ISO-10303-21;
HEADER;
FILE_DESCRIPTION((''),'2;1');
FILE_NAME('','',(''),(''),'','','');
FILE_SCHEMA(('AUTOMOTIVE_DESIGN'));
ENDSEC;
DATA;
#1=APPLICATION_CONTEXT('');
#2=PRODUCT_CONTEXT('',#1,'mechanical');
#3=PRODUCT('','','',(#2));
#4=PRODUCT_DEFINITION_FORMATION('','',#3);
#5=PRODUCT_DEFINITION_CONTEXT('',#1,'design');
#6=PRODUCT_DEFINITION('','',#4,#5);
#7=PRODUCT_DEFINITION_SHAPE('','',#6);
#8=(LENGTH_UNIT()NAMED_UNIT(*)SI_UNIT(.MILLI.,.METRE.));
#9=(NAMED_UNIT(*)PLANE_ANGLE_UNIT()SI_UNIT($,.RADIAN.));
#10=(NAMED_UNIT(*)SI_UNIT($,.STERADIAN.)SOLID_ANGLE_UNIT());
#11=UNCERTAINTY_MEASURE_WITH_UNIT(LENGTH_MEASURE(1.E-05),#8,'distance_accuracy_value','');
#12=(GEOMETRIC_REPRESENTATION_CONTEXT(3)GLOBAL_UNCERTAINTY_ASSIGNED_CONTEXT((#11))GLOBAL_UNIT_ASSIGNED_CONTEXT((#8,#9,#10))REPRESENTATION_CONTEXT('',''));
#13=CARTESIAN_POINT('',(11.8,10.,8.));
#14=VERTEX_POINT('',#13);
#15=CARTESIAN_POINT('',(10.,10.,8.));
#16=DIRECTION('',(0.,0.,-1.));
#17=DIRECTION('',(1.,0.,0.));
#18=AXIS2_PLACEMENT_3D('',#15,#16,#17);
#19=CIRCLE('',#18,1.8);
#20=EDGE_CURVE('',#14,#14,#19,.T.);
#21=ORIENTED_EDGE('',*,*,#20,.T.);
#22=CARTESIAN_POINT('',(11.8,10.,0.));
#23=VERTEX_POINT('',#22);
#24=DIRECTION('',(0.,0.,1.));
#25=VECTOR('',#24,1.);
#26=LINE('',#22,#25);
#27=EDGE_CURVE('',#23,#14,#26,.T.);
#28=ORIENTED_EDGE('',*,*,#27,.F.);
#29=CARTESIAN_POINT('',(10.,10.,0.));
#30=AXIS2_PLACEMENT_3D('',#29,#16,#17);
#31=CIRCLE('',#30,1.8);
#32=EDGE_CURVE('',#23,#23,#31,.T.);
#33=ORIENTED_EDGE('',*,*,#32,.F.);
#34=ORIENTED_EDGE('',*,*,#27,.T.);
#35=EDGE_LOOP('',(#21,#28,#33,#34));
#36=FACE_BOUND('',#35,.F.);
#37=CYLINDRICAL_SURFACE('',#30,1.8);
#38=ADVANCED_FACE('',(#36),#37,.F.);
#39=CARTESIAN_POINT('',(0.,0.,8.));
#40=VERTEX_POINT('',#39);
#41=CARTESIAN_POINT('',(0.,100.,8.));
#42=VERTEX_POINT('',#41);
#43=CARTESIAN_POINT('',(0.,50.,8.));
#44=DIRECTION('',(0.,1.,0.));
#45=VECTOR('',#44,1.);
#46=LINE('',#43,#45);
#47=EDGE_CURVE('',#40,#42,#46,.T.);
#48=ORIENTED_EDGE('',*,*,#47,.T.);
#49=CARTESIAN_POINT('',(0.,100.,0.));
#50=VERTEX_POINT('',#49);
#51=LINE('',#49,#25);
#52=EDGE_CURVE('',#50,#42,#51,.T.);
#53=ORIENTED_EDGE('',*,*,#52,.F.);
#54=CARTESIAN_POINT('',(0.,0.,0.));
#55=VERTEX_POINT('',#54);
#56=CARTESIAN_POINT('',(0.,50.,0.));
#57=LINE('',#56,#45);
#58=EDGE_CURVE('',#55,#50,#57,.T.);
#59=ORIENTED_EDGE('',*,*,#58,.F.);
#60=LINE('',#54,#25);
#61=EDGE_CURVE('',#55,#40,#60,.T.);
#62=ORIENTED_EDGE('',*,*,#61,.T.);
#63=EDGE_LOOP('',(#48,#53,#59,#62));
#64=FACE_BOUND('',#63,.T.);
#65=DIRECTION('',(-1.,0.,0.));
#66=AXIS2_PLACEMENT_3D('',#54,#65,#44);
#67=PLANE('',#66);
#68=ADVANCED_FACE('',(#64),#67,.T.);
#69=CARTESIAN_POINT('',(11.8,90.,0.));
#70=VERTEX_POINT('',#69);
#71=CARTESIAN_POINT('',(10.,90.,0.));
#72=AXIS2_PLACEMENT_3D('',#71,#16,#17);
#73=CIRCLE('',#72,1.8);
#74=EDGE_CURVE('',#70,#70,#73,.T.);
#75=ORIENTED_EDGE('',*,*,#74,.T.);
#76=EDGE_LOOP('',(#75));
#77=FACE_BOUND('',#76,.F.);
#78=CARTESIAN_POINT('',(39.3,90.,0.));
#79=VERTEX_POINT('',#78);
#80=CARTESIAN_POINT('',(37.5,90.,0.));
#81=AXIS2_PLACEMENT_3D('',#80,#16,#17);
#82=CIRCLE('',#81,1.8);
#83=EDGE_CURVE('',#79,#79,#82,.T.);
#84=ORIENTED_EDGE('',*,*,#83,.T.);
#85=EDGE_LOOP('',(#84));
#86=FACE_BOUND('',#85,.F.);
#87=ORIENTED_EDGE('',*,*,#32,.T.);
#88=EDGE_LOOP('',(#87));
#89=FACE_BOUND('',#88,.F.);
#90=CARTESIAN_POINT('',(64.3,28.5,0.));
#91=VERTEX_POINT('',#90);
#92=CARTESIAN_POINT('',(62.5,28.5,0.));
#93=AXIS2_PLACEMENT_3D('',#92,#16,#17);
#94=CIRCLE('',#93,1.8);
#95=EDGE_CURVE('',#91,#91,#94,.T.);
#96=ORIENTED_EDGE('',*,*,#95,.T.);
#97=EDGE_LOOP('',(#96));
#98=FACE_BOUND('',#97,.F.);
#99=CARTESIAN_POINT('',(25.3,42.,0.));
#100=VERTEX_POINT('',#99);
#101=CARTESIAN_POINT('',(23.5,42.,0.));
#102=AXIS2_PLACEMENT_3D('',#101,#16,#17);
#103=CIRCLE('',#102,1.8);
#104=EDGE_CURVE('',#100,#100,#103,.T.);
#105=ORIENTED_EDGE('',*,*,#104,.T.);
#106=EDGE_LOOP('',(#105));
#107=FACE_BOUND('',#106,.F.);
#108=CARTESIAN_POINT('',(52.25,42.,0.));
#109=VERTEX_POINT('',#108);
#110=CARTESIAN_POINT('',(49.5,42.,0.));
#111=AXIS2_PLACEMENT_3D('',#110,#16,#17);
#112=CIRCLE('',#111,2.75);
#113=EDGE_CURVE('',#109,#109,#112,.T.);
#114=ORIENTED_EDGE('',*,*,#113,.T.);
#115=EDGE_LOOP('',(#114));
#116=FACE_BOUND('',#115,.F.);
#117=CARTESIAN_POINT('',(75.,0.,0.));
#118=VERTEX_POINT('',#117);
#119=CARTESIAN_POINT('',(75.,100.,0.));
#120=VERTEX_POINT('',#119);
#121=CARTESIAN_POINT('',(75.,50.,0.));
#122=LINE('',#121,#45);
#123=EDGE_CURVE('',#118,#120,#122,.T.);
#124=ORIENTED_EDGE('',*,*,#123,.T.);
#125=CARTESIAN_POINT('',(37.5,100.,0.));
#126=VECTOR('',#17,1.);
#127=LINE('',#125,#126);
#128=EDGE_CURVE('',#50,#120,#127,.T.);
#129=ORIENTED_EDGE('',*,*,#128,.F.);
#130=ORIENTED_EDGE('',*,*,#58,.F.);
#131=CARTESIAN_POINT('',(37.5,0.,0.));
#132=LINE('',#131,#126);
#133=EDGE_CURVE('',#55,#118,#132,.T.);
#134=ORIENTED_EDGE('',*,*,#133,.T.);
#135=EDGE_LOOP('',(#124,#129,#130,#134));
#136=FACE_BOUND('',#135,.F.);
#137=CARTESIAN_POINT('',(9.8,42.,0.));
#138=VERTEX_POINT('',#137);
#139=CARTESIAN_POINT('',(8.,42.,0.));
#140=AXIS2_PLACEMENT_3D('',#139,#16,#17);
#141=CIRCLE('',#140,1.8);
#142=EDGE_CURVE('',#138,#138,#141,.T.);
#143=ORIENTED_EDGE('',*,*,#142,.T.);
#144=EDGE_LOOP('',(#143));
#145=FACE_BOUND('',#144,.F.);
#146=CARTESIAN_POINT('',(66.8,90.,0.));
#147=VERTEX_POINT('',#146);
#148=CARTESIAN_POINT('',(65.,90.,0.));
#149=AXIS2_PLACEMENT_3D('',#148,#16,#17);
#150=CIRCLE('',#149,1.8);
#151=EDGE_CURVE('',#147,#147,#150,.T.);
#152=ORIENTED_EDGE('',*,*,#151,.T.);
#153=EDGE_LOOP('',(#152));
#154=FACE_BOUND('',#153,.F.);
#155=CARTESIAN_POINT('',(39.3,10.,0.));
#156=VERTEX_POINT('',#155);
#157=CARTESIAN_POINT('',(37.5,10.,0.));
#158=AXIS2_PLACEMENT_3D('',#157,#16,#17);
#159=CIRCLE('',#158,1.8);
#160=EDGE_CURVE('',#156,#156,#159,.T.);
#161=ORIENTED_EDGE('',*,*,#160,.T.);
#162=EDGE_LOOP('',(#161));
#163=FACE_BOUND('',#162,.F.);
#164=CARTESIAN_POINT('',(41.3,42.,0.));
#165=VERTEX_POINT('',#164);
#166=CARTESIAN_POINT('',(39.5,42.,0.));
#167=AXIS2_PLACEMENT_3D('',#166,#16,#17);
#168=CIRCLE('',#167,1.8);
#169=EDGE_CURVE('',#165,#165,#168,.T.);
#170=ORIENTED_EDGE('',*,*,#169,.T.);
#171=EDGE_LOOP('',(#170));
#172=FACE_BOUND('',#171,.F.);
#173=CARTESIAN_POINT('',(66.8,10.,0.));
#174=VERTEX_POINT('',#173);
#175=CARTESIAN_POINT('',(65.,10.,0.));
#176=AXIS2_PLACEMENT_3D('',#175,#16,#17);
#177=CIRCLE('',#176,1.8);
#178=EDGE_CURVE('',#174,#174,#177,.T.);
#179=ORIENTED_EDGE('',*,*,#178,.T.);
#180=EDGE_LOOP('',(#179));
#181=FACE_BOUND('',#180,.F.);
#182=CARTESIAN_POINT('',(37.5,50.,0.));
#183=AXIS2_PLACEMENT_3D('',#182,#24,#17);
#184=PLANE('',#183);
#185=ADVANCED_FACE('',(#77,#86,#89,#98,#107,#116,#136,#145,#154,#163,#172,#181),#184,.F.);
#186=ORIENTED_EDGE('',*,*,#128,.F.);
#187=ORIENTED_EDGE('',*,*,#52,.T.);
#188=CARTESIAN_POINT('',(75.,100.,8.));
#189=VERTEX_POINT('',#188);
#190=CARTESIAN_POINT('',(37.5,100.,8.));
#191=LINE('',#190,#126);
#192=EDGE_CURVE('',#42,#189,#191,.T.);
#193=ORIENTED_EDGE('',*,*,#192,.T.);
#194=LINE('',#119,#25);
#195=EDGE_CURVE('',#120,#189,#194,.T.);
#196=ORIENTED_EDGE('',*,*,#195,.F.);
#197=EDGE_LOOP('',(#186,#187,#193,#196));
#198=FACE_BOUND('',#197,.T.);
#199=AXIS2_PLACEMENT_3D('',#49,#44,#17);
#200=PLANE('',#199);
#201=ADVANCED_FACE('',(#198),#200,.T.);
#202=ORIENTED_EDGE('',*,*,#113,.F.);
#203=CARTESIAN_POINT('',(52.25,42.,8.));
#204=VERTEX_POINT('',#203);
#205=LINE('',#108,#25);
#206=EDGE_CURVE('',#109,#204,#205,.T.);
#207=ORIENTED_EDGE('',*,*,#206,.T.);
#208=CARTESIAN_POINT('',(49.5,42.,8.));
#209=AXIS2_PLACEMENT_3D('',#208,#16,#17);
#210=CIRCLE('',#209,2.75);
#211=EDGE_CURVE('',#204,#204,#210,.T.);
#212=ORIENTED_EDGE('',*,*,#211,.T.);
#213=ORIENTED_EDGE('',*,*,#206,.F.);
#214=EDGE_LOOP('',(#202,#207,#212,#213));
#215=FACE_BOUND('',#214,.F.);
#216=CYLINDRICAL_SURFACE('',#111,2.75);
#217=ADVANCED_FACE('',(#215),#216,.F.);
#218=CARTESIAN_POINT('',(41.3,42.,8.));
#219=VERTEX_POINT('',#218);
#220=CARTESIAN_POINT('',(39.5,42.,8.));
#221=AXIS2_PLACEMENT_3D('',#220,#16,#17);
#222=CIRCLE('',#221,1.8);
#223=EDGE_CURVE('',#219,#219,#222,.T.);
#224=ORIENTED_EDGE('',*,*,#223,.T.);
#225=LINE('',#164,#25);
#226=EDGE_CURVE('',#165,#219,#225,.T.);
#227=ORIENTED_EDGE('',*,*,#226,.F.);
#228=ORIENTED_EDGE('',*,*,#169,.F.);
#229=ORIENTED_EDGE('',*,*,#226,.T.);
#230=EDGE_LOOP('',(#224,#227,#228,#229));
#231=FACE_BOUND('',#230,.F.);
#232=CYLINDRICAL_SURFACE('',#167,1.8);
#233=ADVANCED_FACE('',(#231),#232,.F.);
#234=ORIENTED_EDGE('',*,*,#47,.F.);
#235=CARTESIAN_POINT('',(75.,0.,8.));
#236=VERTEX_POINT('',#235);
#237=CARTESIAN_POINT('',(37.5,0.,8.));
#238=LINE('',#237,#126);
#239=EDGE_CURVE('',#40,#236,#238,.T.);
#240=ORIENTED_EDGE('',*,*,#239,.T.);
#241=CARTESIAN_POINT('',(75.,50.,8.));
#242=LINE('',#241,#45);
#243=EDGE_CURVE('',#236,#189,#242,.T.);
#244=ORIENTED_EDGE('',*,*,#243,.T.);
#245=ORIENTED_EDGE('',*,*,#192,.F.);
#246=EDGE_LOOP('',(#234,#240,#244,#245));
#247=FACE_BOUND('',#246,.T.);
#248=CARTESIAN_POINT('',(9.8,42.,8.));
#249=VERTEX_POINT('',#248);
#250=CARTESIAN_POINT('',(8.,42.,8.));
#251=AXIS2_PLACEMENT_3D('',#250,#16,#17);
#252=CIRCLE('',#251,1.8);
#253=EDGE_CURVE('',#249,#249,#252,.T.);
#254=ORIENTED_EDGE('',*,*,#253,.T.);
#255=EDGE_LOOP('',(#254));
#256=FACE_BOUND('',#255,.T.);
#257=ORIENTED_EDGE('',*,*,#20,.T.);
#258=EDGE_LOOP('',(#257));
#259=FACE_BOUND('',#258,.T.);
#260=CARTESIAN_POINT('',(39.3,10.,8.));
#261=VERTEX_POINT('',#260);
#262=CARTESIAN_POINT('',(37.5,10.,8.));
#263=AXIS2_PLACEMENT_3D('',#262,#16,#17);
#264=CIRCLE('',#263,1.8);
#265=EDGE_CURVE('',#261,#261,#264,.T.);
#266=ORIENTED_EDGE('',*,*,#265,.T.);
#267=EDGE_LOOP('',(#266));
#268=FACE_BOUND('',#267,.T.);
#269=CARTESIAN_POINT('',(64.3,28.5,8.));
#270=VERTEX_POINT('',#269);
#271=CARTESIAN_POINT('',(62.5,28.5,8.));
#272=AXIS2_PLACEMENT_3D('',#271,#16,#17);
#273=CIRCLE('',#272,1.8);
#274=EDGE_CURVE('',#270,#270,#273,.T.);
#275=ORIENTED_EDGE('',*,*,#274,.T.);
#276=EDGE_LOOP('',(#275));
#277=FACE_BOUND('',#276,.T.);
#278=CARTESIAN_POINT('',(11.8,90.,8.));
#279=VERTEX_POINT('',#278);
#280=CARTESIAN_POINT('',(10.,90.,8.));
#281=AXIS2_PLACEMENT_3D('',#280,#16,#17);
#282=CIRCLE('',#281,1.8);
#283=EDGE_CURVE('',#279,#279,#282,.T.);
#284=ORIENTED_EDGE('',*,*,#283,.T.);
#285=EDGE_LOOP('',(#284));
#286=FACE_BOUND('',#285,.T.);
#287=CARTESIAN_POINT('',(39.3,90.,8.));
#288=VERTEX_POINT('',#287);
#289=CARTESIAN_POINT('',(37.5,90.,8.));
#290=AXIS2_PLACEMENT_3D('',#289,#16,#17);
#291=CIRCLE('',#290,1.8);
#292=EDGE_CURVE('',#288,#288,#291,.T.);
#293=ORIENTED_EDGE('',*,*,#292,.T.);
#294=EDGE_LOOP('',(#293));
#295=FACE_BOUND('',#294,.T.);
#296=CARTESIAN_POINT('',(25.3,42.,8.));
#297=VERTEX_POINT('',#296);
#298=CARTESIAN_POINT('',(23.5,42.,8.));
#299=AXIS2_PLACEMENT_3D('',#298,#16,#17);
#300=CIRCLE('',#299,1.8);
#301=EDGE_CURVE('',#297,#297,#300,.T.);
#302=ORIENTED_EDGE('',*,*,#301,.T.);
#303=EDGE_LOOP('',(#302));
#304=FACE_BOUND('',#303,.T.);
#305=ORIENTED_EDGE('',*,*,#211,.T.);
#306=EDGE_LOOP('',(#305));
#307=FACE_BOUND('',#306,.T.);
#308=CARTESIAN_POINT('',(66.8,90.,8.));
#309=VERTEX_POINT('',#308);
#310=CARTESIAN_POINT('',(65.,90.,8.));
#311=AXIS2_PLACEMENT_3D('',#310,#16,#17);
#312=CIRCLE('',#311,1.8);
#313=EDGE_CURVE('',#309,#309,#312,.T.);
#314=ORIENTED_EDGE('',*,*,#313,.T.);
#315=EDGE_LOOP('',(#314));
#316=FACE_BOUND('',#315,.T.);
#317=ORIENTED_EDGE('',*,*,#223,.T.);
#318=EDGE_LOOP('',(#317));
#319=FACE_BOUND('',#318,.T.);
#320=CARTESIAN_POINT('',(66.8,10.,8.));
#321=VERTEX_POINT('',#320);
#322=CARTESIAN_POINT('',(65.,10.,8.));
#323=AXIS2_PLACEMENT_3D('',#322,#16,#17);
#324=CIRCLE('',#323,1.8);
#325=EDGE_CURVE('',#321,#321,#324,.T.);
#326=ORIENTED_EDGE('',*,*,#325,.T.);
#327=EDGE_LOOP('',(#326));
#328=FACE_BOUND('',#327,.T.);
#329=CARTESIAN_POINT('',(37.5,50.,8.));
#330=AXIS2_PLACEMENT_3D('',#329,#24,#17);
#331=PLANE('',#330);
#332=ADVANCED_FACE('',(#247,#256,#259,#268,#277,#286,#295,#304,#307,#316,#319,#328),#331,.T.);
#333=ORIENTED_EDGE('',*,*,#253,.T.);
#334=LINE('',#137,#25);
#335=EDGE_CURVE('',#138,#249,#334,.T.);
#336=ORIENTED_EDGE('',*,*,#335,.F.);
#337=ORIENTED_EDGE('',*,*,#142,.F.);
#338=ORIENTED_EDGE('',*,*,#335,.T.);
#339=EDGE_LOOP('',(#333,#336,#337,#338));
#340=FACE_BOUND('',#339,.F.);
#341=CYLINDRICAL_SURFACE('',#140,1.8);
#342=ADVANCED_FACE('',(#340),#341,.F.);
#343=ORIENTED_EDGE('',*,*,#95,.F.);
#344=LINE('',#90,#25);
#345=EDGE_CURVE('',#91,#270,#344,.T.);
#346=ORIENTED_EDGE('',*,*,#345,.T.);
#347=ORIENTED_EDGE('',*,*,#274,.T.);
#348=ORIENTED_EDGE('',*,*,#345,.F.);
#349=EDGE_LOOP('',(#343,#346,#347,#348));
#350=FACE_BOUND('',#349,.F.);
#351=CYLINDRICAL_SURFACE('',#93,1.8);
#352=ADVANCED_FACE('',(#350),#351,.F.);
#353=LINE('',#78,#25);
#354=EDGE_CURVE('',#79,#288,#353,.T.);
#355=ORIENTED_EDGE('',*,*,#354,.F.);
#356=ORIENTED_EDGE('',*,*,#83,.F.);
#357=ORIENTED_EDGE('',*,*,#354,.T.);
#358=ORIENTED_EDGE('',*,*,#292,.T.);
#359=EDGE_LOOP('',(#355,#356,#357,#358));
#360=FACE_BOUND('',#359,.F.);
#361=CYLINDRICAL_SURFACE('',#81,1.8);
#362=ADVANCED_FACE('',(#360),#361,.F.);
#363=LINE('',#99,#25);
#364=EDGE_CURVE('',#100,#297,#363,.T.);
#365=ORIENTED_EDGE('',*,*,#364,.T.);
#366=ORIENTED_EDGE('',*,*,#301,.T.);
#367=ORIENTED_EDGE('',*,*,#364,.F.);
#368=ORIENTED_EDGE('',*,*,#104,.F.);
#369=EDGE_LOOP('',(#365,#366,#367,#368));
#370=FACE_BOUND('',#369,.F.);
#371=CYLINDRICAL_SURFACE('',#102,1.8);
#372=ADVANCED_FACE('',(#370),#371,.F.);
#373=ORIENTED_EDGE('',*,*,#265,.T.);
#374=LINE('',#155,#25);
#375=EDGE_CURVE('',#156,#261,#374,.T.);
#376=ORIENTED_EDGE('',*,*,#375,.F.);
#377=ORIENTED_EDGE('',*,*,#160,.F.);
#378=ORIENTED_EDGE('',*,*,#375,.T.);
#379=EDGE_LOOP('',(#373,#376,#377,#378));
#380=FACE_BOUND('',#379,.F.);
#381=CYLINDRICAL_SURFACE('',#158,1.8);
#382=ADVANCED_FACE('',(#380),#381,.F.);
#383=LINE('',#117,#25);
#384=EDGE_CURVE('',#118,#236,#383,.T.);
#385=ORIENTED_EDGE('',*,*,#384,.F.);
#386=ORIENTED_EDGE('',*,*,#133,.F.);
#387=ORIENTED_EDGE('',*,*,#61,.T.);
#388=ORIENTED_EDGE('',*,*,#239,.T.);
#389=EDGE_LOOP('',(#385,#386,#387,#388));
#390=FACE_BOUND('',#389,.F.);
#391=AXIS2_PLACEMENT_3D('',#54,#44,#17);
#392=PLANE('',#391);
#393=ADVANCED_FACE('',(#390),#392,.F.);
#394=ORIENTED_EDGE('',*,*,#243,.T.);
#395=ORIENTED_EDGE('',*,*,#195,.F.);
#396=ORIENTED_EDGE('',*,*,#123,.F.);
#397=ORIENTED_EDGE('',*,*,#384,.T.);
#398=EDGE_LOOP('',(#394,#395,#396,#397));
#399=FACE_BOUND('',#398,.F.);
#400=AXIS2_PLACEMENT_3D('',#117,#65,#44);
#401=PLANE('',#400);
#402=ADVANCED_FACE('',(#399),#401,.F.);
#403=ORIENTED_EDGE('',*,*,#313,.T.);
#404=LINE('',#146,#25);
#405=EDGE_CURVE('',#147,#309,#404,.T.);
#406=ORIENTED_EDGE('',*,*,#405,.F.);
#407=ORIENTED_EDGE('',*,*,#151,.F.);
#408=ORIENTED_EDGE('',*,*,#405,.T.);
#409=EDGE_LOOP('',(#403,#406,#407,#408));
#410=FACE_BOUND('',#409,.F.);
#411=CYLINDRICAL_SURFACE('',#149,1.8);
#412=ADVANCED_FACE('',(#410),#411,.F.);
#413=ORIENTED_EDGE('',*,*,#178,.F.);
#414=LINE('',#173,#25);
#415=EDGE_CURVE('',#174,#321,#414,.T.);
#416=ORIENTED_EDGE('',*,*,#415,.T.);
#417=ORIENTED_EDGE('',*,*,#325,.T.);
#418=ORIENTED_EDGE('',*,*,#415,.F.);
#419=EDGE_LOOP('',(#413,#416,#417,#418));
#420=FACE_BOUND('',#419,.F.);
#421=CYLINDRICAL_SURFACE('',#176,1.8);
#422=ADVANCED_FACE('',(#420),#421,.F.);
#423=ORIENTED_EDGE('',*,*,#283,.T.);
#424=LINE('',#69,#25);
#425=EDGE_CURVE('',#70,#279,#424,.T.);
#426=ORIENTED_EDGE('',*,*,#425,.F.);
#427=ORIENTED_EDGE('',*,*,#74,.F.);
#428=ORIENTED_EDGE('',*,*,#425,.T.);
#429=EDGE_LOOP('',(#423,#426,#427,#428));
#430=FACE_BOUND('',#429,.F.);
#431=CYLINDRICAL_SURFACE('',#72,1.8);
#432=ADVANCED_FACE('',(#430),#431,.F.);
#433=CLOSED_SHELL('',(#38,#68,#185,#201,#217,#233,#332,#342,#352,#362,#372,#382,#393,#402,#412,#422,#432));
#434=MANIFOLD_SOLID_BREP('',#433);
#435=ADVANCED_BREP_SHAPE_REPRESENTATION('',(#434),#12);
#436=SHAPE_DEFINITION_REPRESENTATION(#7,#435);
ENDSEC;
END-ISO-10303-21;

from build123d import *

# Parameters (mm, degrees)
BOX_W         = 75
BOX_H         = 100
BOX_DEPTH     = 8
SKETCH_R      = 1.8
HOLE_DEPTH    = 8.001
SKETCH001_R   = 1.8
HOLE001_DEPTH = 25
SKETCH003_R   = 2.75
HOLE002_DEPTH = 8.001


with BuildPart() as part:
    # Box → Box (join)
    with BuildSketch(Plane.XY):
        with Locations((37.5, 50)):
            Rectangle(BOX_W, BOX_H)
    extrude(amount=BOX_DEPTH)

    # Sketch (on Face5 of Box) → Hole (cut, through all)
    with BuildSketch(Plane(origin=(0, 0, 0), x_dir=(1, 0, 0), z_dir=(0, 0, -1))):
        with Locations((10, -10)):
            Circle(SKETCH_R)
        with Locations((37.5, -10)):
            Circle(SKETCH_R)
        with Locations((65, -10)):
            Circle(SKETCH_R)
        with Locations((10, -90)):
            Circle(SKETCH_R)
        with Locations((37.5, -90)):
            Circle(SKETCH_R)
        with Locations((65, -90)):
            Circle(SKETCH_R)
    extrude(amount=-HOLE_DEPTH, mode=Mode.SUBTRACT)

    # Sketch001 (on Face5 of Hole) → Hole001 (cut)
    with BuildSketch(Plane(origin=(0, 0, 0), x_dir=(1, 0, 0), z_dir=(0, 0, -1))):
        with Locations((39.5, -42)):
            Circle(SKETCH001_R)
        with Locations((23.5, -42)):
            Circle(SKETCH001_R)
        with Locations((8, -42)):
            Circle(SKETCH001_R)
        with Locations((62.5, -28.5)):
            Circle(SKETCH001_R)
    extrude(amount=-HOLE001_DEPTH, mode=Mode.SUBTRACT)

    # Sketch003 (on Face5 of Hole001) → Hole002 (cut, through all)
    with BuildSketch(Plane(origin=(0, 0, 0), x_dir=(1, 0, 0), z_dir=(0, 0, -1))):
        with Locations((49.5, -42)):
            Circle(SKETCH003_R)
    extrude(amount=-HOLE002_DEPTH, mode=Mode.SUBTRACT)


solid = part.part
